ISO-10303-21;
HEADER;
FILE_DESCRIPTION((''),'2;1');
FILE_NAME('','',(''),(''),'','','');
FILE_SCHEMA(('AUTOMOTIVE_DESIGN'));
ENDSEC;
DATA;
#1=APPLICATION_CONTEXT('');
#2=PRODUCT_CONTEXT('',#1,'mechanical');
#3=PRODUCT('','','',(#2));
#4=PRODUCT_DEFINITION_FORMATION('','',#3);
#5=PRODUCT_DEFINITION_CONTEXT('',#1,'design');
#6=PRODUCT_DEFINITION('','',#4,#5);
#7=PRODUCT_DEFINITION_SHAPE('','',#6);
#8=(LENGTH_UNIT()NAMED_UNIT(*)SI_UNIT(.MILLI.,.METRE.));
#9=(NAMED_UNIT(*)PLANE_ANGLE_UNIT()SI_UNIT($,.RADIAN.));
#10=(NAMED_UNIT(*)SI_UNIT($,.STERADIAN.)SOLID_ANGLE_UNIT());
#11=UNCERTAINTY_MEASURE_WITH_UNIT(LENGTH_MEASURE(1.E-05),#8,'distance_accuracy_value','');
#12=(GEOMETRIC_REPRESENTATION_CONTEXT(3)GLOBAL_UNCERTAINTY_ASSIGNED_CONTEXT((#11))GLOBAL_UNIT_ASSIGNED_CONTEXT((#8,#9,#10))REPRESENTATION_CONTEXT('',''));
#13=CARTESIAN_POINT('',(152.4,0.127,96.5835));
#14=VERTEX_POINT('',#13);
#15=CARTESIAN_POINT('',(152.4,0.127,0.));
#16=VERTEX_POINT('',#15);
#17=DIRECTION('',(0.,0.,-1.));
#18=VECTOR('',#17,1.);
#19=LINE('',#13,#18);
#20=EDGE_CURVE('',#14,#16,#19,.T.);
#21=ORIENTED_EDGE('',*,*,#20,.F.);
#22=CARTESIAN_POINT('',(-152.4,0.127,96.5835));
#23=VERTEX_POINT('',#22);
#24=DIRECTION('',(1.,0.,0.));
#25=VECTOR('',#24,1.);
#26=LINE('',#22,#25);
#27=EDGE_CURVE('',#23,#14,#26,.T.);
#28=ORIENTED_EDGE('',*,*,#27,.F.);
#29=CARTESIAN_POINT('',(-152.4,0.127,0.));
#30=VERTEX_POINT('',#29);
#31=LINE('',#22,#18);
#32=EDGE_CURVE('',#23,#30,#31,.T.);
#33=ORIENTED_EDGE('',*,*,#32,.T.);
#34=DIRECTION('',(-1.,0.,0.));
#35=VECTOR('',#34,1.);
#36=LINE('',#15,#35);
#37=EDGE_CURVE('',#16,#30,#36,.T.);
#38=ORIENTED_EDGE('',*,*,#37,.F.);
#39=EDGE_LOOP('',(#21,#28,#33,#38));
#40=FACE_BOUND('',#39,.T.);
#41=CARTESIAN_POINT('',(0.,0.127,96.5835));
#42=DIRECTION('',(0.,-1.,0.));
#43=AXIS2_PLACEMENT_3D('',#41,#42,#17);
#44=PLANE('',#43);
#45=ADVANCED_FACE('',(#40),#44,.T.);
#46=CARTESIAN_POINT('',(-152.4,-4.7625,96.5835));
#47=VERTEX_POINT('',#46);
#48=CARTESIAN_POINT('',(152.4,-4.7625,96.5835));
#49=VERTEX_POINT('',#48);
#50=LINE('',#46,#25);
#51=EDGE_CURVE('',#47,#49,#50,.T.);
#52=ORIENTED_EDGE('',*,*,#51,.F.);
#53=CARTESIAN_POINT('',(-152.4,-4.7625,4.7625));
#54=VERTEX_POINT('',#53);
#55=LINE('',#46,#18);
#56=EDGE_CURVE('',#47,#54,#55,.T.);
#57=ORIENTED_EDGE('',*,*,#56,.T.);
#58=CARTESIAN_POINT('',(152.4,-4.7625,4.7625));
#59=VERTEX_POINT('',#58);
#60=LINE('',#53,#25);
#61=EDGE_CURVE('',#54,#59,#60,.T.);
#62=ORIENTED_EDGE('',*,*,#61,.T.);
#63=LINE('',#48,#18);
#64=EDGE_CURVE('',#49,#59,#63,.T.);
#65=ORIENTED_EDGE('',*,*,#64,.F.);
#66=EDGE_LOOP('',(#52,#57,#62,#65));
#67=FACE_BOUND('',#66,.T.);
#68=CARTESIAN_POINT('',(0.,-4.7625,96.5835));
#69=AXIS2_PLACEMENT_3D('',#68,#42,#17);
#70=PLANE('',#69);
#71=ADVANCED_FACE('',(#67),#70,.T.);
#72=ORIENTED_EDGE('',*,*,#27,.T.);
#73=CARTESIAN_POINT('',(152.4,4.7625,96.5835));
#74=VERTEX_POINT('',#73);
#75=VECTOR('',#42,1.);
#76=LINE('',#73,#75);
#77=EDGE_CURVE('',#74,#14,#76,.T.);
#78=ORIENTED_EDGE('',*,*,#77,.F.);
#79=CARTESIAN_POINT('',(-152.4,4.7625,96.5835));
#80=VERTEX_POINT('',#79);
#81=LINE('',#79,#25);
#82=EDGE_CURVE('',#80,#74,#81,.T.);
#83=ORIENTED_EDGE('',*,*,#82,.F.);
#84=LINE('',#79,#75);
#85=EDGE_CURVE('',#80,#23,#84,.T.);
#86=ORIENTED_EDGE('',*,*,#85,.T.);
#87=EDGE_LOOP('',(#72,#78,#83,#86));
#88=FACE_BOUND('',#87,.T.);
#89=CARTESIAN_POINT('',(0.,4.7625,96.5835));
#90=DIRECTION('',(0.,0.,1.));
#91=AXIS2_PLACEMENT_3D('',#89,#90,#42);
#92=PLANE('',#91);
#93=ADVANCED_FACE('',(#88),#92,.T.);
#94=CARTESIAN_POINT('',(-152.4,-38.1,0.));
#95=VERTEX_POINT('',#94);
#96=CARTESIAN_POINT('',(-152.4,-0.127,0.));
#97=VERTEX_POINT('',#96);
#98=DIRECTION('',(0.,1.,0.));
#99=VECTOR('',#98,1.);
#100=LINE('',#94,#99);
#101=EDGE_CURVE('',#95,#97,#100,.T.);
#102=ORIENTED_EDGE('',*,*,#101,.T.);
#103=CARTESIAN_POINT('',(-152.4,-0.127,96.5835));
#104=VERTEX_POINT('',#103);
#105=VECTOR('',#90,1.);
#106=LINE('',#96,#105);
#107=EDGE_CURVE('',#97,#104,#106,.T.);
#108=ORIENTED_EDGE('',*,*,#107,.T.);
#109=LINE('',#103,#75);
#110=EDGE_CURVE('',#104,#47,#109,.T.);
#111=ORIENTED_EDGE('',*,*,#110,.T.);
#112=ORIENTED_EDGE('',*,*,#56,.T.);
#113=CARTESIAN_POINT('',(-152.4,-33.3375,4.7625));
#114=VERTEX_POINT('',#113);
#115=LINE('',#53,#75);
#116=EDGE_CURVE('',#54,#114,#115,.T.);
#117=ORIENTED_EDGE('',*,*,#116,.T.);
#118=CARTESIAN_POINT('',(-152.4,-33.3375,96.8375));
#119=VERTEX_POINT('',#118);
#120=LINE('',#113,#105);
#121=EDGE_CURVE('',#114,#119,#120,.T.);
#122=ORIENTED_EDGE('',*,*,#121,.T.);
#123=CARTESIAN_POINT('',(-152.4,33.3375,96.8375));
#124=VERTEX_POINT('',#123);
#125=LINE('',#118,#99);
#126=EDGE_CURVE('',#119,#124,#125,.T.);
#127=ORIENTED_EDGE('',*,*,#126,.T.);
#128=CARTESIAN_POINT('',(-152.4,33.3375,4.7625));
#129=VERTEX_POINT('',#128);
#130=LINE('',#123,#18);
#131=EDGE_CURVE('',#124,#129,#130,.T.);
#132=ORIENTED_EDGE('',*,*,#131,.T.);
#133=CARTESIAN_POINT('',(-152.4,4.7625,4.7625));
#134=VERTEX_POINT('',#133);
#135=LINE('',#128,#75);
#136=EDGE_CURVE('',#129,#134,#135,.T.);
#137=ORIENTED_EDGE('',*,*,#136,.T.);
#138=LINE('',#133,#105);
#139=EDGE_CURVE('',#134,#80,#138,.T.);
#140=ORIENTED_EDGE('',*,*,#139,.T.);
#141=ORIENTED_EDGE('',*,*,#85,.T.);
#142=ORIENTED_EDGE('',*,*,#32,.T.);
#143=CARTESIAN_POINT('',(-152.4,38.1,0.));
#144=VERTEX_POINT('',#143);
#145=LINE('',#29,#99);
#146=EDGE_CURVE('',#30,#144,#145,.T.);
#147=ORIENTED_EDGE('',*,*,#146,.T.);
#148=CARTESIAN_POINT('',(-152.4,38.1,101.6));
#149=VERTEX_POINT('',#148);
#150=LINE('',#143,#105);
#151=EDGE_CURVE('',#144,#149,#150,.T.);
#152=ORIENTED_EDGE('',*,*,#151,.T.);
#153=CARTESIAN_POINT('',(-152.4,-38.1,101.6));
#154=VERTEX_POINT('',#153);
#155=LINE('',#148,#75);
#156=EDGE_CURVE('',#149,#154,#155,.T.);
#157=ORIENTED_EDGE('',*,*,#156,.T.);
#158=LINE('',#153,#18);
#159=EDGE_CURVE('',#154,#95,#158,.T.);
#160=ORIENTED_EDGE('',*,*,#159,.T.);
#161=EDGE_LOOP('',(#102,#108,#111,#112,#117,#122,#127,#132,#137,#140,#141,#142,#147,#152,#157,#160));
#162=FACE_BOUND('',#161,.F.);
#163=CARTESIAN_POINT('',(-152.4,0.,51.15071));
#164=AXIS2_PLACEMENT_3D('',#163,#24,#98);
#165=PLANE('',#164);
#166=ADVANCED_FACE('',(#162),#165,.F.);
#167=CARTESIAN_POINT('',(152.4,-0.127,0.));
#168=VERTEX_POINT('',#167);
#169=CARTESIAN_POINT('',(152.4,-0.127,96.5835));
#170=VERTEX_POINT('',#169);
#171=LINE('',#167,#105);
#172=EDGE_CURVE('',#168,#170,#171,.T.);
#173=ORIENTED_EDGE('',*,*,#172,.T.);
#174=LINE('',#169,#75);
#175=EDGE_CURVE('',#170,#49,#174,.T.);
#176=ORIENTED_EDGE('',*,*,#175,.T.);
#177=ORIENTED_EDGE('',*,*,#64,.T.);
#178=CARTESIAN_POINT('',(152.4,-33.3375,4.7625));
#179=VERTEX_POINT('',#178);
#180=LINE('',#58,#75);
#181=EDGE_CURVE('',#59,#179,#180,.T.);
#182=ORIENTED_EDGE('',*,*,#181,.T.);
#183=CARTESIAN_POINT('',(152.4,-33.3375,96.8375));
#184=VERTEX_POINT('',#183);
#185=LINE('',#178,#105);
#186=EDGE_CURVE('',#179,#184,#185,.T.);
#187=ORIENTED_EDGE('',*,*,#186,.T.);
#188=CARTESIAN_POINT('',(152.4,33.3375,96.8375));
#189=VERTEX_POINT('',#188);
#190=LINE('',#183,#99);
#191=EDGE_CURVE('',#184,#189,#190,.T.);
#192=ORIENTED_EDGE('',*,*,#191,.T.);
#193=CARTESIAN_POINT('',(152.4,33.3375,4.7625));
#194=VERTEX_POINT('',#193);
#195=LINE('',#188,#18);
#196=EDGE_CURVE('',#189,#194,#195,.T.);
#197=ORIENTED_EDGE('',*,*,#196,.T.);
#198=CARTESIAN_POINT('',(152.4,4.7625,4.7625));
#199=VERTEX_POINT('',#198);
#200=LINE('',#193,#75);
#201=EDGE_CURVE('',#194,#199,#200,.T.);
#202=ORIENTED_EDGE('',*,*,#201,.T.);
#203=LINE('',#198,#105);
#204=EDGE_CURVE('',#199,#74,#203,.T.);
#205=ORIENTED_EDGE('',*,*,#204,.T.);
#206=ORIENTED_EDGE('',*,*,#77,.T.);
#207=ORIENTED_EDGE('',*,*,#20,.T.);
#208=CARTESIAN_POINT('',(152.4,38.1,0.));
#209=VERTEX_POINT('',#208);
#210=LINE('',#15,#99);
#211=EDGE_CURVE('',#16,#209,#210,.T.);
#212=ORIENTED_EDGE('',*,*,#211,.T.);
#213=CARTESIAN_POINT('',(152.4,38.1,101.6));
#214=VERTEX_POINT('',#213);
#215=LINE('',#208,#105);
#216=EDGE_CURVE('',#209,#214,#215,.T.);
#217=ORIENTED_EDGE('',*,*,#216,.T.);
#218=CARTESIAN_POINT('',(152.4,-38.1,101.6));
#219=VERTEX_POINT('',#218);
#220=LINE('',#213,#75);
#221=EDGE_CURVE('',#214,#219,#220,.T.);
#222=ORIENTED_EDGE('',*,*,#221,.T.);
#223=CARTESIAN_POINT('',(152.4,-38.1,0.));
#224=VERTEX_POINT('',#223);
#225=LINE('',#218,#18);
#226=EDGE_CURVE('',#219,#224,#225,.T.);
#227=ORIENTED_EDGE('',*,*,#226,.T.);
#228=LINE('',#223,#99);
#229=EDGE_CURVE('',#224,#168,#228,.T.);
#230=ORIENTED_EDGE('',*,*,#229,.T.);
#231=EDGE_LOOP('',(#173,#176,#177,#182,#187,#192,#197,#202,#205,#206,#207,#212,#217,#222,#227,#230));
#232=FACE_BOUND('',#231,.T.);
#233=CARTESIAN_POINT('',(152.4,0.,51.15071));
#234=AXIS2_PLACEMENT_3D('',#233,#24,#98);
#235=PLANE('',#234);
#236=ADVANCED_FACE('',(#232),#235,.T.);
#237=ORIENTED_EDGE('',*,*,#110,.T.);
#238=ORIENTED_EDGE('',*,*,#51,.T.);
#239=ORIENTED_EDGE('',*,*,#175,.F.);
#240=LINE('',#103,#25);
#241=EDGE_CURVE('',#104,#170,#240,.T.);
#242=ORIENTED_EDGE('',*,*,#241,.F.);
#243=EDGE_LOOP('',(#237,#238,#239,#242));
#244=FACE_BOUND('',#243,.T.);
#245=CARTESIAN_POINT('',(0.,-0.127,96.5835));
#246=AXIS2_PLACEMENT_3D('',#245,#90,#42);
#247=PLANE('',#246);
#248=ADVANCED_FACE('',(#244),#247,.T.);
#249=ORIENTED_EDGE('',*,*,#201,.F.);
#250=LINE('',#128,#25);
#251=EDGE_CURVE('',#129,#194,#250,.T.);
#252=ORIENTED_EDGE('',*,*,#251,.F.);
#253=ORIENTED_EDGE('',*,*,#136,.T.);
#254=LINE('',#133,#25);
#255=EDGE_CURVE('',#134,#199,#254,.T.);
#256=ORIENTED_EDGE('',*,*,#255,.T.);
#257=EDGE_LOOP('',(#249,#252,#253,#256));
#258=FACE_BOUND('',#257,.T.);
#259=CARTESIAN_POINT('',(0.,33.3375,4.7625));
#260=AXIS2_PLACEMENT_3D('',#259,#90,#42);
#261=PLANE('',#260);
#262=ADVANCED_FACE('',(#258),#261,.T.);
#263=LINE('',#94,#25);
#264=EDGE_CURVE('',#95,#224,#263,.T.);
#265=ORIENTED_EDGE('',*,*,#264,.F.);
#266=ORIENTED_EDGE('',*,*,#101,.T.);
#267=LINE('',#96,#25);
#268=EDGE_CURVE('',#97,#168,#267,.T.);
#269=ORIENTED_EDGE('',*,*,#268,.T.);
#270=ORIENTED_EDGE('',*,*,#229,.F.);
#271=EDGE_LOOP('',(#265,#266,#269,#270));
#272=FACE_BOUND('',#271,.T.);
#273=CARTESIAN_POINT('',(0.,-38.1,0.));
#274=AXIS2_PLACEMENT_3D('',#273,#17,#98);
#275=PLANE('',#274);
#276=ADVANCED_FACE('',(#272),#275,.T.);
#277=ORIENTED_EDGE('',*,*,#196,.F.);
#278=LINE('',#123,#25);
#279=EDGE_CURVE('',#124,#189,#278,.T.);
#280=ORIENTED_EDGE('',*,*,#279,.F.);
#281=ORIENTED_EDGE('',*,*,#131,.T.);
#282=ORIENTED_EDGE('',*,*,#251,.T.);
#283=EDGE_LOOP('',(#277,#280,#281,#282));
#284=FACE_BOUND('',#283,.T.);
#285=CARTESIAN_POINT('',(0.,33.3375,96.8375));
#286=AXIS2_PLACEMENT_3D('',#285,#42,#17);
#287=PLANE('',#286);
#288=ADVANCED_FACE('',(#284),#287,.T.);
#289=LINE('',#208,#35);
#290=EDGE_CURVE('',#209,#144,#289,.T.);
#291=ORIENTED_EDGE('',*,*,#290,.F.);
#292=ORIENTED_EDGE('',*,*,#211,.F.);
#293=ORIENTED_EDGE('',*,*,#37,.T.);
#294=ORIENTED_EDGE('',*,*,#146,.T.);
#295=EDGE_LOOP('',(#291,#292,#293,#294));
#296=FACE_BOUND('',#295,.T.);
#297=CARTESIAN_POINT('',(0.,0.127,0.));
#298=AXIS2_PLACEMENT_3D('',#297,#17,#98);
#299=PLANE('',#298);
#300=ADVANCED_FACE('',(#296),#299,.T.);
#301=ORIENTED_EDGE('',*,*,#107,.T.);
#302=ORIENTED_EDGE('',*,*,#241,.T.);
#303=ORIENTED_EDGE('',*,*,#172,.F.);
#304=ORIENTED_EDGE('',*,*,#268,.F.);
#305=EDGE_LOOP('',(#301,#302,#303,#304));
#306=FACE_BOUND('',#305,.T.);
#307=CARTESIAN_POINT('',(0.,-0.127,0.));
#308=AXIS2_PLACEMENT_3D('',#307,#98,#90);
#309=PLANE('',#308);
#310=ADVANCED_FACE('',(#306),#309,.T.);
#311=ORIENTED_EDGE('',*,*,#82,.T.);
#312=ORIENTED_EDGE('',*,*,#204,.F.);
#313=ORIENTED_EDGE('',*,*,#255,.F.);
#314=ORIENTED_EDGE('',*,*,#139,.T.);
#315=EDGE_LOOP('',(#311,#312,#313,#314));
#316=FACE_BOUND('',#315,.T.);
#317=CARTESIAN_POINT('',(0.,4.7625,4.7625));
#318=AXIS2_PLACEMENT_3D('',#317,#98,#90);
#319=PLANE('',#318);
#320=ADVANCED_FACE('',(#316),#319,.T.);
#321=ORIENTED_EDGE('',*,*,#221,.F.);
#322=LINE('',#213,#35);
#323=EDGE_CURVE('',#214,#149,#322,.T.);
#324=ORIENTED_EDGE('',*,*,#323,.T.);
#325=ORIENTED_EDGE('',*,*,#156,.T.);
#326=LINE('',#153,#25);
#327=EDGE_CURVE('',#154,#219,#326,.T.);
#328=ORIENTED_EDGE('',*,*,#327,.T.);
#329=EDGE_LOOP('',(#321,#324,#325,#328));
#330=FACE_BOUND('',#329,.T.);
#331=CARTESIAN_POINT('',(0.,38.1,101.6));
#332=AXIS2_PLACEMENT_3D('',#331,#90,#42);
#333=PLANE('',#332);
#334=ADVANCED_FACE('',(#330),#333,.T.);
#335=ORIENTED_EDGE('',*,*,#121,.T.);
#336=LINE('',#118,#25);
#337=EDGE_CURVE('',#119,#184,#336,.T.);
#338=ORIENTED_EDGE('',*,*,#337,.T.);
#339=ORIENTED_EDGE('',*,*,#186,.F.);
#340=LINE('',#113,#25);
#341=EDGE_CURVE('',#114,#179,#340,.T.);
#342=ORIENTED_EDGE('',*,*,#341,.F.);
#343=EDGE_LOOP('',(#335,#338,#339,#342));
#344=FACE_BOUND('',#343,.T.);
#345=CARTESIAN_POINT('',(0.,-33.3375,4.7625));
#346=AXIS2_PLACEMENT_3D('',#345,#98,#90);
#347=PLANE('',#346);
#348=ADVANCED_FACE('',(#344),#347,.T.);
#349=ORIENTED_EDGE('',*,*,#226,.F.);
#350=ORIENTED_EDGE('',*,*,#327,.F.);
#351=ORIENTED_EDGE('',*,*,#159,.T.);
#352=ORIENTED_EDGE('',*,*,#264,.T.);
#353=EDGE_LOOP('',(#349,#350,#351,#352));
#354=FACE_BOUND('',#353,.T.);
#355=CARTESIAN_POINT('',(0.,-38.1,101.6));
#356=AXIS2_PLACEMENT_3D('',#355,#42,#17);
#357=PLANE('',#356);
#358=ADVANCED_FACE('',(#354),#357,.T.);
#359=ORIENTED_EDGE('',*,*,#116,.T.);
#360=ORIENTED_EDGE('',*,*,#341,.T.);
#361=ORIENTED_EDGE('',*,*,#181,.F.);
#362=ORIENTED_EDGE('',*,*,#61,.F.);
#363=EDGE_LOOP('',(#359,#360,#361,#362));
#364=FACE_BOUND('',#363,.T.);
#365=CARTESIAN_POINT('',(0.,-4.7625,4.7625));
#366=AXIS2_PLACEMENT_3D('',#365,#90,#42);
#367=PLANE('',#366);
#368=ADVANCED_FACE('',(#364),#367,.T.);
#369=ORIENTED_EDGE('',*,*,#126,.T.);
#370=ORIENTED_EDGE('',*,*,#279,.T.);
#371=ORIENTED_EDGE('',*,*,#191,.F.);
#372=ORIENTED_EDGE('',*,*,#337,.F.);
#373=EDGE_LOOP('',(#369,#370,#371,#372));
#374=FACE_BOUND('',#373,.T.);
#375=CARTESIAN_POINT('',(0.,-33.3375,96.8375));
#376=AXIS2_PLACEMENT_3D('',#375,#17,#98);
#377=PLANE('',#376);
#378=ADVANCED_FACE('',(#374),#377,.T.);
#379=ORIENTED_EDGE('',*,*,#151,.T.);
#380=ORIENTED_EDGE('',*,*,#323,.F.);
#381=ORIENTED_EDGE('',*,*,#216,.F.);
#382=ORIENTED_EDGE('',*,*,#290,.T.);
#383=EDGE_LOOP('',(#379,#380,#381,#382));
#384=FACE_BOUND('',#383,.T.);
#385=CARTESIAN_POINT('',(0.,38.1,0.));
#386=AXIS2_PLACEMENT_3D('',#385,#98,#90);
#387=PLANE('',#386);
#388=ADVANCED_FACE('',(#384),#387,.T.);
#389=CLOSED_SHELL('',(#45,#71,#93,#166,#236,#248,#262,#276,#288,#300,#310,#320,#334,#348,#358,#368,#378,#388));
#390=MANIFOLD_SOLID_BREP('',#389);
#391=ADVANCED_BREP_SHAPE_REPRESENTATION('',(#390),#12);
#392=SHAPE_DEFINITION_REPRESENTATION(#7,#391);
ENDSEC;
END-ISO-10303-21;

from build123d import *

# Parameters (mm, degrees)
F1_DEPTH = 152.4


with BuildPart() as f1:
    # F0 (on Right) → F1 (new body, symmetric)
    with BuildSketch(Plane.YZ):
        Polygon((38.1, 101.6), (-38.1, 101.6), (-38.1, 0), (-0.127, 0), (-0.127, 96.5835), (-4.7625, 96.5835), (-4.7625, 4.7625), (-33.3375, 4.7625), (-33.3375, 96.8375), (33.3375, 96.8375), (33.3375, 4.7625), (4.7625, 4.7625), (4.7625, 96.5835), (0.127, 96.5835), (0.127, 0), (38.1, 0), align=None)
    extrude(amount=F1_DEPTH, both=True)


solid = f1.part
